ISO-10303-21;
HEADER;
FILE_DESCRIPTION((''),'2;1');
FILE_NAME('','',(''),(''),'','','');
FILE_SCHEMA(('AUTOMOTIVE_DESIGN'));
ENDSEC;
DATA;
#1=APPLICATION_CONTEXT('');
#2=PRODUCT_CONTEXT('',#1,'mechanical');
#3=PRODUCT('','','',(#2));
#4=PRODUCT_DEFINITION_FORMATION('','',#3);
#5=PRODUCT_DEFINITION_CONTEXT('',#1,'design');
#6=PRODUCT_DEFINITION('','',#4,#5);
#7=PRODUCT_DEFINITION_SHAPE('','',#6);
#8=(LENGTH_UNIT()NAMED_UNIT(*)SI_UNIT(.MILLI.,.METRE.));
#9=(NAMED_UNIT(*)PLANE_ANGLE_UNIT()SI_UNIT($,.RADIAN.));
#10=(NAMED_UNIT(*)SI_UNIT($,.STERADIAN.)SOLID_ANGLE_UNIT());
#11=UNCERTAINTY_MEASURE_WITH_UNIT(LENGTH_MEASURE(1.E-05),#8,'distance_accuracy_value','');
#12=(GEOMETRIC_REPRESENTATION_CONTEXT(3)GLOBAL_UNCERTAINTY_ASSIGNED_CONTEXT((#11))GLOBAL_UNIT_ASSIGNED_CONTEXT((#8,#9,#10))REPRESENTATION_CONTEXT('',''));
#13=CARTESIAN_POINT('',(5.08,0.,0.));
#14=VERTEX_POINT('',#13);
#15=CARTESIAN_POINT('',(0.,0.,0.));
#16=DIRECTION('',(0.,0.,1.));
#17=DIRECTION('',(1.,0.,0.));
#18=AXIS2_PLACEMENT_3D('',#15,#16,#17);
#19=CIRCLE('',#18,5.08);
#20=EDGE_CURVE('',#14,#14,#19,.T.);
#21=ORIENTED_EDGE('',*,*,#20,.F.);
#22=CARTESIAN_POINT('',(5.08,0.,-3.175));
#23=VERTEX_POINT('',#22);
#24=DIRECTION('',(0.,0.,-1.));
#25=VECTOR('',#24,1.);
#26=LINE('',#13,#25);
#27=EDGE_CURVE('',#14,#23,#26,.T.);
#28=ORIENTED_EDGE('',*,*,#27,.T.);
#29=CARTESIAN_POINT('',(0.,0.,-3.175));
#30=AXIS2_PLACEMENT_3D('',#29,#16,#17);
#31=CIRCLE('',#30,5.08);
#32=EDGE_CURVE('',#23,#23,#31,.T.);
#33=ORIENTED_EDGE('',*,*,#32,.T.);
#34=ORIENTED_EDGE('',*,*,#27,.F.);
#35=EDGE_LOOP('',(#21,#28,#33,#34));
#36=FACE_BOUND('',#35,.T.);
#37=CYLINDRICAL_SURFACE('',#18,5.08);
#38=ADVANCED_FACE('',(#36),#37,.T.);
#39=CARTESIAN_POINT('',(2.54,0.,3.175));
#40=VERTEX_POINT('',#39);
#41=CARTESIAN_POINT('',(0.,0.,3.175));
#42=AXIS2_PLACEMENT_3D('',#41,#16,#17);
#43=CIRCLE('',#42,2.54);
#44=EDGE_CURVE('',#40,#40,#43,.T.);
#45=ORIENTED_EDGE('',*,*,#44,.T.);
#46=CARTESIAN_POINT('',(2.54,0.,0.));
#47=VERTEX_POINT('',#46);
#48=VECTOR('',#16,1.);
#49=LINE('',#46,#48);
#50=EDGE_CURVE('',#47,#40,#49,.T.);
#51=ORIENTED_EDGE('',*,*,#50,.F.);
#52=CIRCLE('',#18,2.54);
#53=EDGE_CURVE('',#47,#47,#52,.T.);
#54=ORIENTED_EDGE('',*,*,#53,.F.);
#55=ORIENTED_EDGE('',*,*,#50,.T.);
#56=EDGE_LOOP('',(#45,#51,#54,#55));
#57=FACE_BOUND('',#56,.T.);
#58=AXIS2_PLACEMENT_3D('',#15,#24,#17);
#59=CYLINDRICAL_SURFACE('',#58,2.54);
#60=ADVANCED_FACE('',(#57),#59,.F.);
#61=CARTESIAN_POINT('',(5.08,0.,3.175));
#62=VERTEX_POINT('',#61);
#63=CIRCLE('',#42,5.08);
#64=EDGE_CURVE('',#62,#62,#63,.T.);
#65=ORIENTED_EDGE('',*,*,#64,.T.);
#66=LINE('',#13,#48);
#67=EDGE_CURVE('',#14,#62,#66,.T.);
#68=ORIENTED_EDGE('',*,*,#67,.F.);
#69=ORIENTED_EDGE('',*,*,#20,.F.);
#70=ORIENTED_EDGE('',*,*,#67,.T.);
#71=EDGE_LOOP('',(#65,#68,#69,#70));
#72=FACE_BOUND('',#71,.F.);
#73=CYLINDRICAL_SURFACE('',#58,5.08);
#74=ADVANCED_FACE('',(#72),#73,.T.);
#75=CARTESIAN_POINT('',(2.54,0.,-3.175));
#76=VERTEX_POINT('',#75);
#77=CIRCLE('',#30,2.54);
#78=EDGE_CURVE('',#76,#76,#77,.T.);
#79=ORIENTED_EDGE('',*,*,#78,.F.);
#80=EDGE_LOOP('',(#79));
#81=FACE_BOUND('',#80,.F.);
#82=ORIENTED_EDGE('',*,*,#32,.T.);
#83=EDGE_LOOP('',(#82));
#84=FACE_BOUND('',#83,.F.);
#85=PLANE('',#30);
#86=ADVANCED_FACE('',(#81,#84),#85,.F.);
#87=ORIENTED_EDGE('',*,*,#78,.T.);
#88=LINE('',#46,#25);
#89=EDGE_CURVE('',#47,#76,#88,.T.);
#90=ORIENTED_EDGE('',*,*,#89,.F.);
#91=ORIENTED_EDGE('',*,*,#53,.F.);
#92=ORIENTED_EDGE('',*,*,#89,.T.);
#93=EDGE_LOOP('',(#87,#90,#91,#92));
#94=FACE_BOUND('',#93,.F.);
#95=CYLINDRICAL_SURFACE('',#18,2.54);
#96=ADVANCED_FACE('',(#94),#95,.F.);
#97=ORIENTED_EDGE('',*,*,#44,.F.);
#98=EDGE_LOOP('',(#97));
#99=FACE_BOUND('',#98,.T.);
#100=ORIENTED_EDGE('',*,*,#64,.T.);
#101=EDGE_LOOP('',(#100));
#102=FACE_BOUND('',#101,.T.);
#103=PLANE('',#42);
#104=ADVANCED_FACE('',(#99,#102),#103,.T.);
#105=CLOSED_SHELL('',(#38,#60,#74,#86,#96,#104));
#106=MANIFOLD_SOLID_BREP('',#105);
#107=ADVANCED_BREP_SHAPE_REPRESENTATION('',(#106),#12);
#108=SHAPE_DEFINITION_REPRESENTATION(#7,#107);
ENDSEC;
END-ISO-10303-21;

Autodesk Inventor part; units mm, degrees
ref_plane "YZ Plane" through (0, 0, 0) normal (1, 0, 0) x (0, 1, 0)
ref_plane "XZ Plane" through (0, 0, 0) normal (0, 1, 0) x (-1, 0, 0)
ref_plane "XY Plane" through (0, 0, 0) normal (0, 0, 1) x (1, 0, 0)
sketch "Sketch1" plane through (0, 0, 0) normal (0, 0, 1) x (1, 0, 0)
  circle A0 centre (0, 0) radius 2.54
  circle A1 centre (0, 0) radius 5.08
  dimension "d0" = 5.08
  dimension "d1" = 10.16
extrude "Extrusion1" add sketch "Sketch1" along normal mid plane 6.35
properties part number "1-4"
